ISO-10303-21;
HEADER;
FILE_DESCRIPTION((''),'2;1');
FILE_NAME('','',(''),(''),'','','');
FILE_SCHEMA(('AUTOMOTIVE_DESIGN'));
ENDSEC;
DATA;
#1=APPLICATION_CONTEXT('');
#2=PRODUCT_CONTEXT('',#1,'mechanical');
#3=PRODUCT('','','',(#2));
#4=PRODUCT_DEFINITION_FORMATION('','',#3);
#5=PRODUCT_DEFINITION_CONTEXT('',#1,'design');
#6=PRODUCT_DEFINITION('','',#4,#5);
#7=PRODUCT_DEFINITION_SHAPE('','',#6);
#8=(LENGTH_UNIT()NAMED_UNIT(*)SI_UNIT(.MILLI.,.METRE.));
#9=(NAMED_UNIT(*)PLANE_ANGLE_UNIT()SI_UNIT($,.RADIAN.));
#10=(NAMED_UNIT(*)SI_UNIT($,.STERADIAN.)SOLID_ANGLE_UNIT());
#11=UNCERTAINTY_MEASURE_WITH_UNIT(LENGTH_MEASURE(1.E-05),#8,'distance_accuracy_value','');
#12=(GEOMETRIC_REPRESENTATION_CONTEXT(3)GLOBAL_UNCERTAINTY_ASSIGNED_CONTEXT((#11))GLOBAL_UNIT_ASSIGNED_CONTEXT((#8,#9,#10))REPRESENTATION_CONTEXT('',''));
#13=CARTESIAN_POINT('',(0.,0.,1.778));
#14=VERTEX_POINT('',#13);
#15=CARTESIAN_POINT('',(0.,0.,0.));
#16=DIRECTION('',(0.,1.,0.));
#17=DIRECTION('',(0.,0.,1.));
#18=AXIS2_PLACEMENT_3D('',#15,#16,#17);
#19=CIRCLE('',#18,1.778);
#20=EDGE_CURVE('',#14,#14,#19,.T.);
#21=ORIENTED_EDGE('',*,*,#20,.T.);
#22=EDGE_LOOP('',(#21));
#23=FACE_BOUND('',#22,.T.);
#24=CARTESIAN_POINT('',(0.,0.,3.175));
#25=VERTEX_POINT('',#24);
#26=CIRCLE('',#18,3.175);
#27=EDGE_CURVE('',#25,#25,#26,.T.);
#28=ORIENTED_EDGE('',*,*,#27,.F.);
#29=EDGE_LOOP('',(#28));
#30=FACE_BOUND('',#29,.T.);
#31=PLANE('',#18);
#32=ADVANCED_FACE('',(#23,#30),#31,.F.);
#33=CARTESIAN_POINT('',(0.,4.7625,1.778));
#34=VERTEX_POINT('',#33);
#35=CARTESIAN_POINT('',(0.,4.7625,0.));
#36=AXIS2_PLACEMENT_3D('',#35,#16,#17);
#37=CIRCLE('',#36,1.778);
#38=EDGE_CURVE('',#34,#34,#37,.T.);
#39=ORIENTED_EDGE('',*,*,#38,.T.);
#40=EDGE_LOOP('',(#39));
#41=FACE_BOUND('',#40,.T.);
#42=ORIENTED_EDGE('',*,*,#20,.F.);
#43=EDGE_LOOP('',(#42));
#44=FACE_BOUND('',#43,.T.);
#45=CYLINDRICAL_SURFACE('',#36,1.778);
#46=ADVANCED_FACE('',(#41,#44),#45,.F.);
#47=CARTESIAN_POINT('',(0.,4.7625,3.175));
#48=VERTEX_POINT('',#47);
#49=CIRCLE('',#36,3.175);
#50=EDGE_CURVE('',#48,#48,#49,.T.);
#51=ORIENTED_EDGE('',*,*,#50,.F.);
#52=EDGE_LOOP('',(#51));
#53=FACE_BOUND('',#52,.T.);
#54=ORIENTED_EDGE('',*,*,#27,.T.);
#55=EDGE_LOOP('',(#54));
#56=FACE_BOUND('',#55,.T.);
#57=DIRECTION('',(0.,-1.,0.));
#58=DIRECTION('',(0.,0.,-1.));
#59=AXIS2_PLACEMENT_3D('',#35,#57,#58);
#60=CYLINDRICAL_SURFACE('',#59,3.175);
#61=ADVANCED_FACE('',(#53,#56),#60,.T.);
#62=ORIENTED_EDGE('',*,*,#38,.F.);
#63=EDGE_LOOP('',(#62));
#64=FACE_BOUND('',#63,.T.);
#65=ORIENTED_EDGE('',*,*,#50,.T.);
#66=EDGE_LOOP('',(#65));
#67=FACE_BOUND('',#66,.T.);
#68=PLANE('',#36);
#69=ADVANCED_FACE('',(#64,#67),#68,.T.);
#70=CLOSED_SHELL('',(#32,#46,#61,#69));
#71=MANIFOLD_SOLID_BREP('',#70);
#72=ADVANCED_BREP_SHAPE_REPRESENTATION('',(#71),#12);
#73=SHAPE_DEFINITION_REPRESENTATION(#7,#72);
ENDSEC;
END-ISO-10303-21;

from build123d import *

# Parameters (mm, degrees)
SKETCH1_R                 = 3.175
BOSS_EXTRUDE1_DEPTH       = 4.7625
F_6_CLEARANCE_HOLE1_D     = 3.556
F_6_CLEARANCE_HOLE1_DEPTH = 7.62
F_6_CLEARANCE_HOLE1_TIP   = 1.068330181


with BuildPart() as part:
    # Sketch1 → Boss-Extrude1 (new body)
    with BuildSketch(Plane(origin=(0, 0, 0), x_dir=(1, 0, 0), z_dir=(0, 1, 0))):
        Circle(SKETCH1_R)
    extrude(amount=BOSS_EXTRUDE1_DEPTH)

    # #6 Clearance Hole1
    with Locations(Plane(origin=(0, 4.7625, 0), x_dir=(-1, 0, 0), z_dir=(0, 1, 0))):
        with Locations((0, 0)):
            Hole(F_6_CLEARANCE_HOLE1_D / 2, depth=F_6_CLEARANCE_HOLE1_DEPTH)
            with Locations((0, 0, -(F_6_CLEARANCE_HOLE1_DEPTH + F_6_CLEARANCE_HOLE1_TIP / 2))):  # 118° drill point
                Cone(0, F_6_CLEARANCE_HOLE1_D / 2, F_6_CLEARANCE_HOLE1_TIP, mode=Mode.SUBTRACT)


solid = part.part
